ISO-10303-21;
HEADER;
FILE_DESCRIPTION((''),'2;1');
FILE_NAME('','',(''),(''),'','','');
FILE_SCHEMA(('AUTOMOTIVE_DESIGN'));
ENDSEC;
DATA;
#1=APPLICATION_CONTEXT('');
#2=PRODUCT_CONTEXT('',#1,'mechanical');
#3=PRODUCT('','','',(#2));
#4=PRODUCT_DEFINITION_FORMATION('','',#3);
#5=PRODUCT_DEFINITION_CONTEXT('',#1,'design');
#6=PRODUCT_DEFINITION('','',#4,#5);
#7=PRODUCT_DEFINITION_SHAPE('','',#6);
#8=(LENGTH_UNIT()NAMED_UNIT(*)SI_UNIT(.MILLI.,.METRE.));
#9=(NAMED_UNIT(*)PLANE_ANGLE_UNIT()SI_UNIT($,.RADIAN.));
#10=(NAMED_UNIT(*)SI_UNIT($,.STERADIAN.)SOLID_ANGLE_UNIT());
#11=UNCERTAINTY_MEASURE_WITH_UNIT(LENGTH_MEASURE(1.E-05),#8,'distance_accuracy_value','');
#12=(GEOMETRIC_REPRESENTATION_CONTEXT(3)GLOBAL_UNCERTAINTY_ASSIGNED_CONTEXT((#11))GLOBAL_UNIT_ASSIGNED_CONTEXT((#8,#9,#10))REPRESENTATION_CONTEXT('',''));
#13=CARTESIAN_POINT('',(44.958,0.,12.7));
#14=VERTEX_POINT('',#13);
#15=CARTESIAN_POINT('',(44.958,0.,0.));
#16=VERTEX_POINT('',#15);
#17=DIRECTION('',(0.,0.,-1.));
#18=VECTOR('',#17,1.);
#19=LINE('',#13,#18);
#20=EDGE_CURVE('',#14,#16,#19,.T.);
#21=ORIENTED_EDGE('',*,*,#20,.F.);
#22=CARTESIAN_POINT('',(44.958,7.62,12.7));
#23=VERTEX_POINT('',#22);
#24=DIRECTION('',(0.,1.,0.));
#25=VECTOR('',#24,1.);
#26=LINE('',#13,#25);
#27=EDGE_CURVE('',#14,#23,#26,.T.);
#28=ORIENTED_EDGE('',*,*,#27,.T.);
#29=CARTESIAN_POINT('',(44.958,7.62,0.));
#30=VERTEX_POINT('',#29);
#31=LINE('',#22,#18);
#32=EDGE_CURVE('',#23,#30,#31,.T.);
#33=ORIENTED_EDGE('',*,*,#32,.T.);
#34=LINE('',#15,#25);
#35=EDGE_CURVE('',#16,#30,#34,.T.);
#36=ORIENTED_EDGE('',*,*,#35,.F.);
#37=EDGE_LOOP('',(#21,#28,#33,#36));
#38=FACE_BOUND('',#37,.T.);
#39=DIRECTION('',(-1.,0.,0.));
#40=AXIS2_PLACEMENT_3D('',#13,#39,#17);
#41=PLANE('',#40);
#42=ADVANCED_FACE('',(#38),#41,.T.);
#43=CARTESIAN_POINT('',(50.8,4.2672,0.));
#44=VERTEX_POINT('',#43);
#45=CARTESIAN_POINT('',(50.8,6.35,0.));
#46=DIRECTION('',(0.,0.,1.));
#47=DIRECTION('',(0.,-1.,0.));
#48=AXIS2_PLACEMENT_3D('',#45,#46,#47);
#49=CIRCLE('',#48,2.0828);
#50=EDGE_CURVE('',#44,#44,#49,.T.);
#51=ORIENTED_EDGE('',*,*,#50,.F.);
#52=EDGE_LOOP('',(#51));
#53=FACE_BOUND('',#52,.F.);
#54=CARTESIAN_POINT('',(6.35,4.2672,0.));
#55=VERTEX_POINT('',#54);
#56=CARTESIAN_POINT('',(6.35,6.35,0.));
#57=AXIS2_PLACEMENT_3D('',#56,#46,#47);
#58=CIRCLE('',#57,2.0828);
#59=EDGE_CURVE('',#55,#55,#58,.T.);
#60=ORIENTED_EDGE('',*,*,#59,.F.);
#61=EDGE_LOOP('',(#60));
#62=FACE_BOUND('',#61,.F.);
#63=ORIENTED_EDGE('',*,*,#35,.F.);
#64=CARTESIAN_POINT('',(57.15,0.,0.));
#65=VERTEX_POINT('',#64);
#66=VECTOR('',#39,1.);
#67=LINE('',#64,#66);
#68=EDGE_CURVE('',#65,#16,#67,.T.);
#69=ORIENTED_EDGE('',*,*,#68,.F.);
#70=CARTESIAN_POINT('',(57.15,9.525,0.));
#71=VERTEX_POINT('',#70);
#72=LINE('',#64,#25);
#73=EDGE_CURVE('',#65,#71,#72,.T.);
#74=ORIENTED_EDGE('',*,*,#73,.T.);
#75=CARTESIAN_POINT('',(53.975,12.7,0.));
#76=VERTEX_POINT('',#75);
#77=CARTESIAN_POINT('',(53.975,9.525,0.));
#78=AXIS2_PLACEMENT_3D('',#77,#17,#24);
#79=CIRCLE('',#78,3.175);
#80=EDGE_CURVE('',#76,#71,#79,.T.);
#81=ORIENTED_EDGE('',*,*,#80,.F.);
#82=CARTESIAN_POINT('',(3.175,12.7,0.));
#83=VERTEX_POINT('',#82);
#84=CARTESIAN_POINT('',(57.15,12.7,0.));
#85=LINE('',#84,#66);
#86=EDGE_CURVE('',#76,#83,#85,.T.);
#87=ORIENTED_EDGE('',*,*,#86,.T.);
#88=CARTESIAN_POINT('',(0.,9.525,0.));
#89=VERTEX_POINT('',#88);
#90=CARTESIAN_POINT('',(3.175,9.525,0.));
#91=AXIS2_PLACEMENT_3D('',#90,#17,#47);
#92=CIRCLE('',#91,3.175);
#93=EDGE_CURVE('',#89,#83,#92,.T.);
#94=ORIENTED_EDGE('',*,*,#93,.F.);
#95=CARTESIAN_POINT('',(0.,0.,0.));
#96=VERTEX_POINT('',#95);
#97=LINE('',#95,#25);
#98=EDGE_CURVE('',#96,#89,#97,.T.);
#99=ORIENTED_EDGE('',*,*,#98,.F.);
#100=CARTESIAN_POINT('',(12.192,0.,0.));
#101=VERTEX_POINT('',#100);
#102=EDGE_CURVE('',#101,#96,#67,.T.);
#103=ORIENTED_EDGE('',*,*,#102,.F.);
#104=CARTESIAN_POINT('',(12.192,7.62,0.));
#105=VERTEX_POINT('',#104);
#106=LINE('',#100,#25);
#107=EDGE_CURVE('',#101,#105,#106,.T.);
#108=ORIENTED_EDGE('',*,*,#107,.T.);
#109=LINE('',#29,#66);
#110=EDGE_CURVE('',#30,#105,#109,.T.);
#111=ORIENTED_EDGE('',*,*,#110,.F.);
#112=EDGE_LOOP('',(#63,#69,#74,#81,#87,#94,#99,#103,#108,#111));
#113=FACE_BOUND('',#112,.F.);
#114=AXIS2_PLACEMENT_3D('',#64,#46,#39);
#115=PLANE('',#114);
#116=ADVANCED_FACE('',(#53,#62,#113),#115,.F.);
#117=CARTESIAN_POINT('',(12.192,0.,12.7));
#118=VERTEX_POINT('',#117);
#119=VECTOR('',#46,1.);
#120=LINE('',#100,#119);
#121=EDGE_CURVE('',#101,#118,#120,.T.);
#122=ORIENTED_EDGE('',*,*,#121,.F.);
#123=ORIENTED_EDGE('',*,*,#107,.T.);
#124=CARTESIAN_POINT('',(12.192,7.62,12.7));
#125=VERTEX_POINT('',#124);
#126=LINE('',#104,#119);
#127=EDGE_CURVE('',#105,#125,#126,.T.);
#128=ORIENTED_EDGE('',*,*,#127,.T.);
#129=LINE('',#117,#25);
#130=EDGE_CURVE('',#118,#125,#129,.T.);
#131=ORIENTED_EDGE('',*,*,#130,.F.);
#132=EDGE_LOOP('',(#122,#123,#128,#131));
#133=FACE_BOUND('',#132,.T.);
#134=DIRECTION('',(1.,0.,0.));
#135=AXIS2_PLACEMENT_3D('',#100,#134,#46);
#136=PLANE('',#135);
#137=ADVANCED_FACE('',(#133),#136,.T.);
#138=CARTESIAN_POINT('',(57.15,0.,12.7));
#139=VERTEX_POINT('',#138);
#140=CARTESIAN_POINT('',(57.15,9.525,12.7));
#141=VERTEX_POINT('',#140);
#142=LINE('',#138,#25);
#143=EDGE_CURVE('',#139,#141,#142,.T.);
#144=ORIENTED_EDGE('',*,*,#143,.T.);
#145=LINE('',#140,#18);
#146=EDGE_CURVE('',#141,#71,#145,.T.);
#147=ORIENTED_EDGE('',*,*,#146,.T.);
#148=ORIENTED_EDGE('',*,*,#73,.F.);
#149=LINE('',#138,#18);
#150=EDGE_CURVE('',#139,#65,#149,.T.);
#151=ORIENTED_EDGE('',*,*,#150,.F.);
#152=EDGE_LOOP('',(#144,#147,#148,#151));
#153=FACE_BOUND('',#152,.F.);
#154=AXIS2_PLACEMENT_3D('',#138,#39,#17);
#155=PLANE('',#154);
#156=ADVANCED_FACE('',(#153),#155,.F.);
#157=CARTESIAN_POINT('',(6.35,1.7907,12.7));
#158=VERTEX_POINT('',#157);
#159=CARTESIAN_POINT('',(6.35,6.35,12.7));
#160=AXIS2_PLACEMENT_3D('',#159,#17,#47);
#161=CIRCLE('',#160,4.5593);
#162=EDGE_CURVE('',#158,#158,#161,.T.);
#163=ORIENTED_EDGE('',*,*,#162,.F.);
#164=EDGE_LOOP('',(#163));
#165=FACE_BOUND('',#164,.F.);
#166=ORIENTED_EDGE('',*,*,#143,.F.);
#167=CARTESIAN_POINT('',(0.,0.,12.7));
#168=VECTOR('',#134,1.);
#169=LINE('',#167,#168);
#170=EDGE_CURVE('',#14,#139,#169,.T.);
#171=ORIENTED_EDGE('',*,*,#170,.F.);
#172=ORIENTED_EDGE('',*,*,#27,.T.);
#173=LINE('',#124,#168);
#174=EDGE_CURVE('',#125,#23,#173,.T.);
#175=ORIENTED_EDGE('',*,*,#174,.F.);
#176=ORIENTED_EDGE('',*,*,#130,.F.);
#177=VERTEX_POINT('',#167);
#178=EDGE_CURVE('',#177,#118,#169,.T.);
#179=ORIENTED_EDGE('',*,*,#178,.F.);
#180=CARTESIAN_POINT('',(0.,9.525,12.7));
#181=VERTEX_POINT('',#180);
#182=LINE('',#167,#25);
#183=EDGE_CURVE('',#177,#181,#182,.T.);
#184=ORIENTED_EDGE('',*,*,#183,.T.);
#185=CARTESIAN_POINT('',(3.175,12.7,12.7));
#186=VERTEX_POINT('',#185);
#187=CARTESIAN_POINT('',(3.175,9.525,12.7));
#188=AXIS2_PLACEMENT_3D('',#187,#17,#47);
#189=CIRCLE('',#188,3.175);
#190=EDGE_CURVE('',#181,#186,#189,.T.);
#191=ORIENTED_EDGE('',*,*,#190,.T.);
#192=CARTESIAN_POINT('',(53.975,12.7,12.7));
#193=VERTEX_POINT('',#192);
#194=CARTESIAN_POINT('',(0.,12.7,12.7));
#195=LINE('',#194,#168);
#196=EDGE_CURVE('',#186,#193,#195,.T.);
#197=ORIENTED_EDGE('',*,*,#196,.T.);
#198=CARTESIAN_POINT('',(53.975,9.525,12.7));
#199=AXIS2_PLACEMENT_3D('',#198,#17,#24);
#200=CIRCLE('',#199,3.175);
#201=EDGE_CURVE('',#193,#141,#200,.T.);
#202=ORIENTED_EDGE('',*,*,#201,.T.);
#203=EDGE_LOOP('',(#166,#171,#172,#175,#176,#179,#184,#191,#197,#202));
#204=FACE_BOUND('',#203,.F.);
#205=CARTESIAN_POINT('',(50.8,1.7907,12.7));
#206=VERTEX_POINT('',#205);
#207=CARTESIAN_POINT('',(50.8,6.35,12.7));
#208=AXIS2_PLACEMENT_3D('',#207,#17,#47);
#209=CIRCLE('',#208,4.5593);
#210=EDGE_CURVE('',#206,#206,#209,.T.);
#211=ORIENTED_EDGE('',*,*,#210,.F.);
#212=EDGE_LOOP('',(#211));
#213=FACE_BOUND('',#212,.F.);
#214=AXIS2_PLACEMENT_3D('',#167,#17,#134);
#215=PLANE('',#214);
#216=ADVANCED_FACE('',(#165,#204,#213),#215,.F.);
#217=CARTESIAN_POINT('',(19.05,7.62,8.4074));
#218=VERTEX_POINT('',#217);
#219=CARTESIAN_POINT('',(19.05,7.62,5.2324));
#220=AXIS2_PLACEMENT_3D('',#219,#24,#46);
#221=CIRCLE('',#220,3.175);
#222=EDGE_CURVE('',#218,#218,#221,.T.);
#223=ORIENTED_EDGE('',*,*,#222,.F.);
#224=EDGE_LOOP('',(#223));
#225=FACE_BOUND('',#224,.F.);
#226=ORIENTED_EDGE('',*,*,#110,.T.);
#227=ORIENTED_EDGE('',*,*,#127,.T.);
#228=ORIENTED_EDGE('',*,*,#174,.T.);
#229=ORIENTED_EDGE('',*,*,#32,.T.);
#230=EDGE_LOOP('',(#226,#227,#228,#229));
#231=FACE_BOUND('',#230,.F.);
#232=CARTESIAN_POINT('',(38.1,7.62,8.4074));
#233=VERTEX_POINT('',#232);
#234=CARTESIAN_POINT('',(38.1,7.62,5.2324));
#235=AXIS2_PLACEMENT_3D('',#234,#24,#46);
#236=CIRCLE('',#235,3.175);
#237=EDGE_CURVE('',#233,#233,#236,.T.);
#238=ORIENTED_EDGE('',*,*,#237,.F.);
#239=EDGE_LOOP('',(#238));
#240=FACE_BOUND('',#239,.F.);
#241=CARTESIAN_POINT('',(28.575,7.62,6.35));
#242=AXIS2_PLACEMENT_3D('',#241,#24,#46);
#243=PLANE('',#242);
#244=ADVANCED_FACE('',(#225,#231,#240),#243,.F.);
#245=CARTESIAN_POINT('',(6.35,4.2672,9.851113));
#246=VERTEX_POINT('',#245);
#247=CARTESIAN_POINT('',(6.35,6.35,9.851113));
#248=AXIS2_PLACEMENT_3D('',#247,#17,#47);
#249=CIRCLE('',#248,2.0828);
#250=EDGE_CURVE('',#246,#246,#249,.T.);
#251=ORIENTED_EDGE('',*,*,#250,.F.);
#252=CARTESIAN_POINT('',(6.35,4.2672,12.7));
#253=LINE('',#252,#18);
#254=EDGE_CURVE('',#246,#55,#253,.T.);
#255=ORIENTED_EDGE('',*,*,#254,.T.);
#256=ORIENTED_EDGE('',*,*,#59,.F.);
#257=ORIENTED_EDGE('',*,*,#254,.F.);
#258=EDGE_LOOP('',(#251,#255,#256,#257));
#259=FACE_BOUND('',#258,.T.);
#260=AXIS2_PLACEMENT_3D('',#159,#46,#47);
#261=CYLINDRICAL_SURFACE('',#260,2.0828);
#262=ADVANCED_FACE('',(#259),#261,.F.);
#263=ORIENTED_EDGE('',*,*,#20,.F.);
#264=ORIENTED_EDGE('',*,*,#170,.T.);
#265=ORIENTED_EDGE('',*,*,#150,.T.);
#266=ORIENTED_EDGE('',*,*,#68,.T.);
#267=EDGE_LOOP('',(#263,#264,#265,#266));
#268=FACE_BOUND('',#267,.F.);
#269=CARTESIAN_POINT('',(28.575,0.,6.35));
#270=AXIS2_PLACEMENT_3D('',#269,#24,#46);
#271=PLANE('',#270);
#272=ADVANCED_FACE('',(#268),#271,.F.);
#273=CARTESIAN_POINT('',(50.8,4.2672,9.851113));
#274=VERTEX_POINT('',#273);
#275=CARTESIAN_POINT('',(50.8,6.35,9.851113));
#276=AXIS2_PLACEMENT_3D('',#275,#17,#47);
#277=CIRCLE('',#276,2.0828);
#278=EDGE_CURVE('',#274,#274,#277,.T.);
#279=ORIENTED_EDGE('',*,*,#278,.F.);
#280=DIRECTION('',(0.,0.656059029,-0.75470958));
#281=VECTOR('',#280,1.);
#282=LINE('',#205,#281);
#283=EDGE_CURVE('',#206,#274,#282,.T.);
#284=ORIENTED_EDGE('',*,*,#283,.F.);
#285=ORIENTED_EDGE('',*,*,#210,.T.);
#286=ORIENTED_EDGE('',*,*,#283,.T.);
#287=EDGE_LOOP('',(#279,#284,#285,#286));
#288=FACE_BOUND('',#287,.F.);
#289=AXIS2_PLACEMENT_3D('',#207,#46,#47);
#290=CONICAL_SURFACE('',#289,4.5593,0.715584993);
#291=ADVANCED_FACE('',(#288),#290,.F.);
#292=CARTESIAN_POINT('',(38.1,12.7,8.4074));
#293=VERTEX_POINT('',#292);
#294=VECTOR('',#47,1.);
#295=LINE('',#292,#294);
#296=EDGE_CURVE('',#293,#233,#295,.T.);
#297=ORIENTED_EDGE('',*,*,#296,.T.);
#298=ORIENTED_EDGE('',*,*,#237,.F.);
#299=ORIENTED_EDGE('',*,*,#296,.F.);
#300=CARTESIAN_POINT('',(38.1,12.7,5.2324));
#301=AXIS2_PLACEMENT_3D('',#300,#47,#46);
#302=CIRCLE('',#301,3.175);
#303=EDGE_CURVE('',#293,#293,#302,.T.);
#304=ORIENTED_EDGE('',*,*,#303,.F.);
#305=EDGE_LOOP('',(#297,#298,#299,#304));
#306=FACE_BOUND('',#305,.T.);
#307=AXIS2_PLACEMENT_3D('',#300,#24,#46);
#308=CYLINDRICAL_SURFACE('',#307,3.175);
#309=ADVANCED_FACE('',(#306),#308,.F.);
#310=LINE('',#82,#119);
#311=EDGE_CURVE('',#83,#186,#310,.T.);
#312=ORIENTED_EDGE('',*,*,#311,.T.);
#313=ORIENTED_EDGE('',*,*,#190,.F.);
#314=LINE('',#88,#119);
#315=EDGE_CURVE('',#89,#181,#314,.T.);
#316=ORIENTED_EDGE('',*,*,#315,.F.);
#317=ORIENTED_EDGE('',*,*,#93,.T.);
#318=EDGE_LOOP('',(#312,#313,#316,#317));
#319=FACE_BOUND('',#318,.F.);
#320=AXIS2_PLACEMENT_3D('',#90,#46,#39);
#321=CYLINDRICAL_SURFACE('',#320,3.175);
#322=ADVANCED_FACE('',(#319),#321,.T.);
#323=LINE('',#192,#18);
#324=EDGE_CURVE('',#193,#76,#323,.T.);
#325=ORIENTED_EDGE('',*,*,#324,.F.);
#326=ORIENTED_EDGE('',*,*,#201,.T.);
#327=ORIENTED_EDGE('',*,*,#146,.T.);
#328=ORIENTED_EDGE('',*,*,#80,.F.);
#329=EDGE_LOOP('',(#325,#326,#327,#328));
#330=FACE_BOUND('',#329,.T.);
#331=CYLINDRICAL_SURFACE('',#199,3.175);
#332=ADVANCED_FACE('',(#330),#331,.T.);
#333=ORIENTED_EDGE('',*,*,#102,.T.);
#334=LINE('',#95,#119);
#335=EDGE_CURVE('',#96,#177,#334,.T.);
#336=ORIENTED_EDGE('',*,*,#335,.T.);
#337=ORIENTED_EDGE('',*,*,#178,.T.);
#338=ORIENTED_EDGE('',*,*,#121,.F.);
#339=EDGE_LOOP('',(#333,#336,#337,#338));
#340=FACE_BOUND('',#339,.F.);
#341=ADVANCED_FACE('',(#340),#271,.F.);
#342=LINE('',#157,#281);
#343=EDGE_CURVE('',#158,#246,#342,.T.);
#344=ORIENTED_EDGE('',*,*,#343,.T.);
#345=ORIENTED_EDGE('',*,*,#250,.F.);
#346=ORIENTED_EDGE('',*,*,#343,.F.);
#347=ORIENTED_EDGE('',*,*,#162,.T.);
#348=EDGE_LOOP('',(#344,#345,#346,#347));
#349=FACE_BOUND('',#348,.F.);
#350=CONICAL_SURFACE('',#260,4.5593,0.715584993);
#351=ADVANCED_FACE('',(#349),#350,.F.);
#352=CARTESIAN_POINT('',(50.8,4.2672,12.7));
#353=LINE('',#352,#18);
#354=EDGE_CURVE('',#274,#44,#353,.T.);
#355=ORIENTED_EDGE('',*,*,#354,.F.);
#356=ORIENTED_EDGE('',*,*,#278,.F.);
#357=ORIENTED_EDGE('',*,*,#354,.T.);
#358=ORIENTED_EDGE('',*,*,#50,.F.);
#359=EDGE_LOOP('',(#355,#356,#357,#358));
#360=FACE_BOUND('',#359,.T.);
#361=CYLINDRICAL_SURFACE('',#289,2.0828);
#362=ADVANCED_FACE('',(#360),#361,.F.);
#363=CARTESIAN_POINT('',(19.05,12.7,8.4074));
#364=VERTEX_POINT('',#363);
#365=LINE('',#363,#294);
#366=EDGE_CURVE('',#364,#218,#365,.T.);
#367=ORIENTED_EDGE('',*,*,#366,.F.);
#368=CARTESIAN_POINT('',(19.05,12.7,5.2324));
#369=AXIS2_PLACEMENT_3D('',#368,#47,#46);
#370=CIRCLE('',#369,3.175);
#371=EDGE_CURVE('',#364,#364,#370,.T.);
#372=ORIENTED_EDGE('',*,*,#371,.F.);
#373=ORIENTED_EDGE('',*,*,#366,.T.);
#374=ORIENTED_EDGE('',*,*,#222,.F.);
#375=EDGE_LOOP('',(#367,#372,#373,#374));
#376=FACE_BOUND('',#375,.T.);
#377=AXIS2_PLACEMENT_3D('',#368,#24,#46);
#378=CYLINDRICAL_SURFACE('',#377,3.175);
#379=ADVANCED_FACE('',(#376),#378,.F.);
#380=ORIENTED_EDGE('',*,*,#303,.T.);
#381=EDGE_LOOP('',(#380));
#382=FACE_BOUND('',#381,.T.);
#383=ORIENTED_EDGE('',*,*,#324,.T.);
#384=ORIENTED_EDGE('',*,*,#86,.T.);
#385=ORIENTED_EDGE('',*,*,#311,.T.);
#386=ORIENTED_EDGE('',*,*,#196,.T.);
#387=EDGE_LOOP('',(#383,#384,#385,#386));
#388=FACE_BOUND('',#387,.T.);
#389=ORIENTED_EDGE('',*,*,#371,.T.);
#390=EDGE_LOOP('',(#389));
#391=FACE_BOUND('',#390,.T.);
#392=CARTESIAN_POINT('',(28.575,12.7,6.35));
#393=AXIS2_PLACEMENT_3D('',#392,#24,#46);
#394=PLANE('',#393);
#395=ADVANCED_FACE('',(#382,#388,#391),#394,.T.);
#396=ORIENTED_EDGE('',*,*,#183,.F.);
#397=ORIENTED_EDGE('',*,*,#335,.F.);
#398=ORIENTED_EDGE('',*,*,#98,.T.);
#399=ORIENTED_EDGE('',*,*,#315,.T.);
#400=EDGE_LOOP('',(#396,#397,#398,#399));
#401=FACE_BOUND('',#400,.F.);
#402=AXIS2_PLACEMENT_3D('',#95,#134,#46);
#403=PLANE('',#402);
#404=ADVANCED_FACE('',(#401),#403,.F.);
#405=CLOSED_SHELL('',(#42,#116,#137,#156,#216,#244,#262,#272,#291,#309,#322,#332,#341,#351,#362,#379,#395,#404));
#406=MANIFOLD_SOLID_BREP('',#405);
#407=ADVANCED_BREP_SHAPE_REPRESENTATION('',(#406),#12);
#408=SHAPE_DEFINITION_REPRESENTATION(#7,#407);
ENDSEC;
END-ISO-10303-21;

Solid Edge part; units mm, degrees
sketch "Sketch1" plane through (0, 0, 0) normal (0, -1, 0) x (1, 0, 0)
  line L0 (0, 0) -> (0, 12.7)
  line L1 (0, 12.7) -> (57.15, 12.7)
  line L2 (57.15, 12.7) -> (57.15, 0)
  line L3 (57.15, 0) -> (0, 0)
  dimension "D1" = 57.15
  dimension "D2" = 12.7
extrude "Protrusion1" add sketch "Sketch1" against normal blind 12.7
sketch "Sketch2" plane through (39.624, 0, 4.7625) normal (0, -1, 0) x (1, 0, 0)
  line L0 (-27.432, -4.7625) -> (-27.432, 7.9375)
  line L1 (-27.432, 7.9375) -> (5.334, 7.9375)
  line L2 (5.334, 7.9375) -> (5.334, -4.7625)
  line L3 (5.334, -4.7625) -> (-27.432, -4.7625)
  dimension "D1" = 12.192
  dimension "D2" = 12.192
extrude "ExtrudedCutout_3" cut sketch "Sketch2" against normal blind 7.62
hole "Hole_13" at (50.8, 6.35, 12.7) direction (0, 0, -1) diameter 4.1656 end up to next countersink diameter 9.1186 countersink angle 82
hole "Hole1" at (6.35, 6.35, 12.7) direction (0, 0, -1) diameter 4.1656 end up to next countersink diameter 9.1186 countersink angle 82
hole "Hole_11" at (19.05, 12.7, 5.2324) direction (0, -1, 0) diameter 6.35 end up to next
hole "Hole2" at (38.1, 12.7, 5.2324) direction (0, -1, 0) diameter 6.35 end up to next
fillet "Round_1" radius 3.175 2 edges at (57.15, 12.7, 6.35) (0, 12.7, 6.35)
properties material "Polyethylene, low density"
